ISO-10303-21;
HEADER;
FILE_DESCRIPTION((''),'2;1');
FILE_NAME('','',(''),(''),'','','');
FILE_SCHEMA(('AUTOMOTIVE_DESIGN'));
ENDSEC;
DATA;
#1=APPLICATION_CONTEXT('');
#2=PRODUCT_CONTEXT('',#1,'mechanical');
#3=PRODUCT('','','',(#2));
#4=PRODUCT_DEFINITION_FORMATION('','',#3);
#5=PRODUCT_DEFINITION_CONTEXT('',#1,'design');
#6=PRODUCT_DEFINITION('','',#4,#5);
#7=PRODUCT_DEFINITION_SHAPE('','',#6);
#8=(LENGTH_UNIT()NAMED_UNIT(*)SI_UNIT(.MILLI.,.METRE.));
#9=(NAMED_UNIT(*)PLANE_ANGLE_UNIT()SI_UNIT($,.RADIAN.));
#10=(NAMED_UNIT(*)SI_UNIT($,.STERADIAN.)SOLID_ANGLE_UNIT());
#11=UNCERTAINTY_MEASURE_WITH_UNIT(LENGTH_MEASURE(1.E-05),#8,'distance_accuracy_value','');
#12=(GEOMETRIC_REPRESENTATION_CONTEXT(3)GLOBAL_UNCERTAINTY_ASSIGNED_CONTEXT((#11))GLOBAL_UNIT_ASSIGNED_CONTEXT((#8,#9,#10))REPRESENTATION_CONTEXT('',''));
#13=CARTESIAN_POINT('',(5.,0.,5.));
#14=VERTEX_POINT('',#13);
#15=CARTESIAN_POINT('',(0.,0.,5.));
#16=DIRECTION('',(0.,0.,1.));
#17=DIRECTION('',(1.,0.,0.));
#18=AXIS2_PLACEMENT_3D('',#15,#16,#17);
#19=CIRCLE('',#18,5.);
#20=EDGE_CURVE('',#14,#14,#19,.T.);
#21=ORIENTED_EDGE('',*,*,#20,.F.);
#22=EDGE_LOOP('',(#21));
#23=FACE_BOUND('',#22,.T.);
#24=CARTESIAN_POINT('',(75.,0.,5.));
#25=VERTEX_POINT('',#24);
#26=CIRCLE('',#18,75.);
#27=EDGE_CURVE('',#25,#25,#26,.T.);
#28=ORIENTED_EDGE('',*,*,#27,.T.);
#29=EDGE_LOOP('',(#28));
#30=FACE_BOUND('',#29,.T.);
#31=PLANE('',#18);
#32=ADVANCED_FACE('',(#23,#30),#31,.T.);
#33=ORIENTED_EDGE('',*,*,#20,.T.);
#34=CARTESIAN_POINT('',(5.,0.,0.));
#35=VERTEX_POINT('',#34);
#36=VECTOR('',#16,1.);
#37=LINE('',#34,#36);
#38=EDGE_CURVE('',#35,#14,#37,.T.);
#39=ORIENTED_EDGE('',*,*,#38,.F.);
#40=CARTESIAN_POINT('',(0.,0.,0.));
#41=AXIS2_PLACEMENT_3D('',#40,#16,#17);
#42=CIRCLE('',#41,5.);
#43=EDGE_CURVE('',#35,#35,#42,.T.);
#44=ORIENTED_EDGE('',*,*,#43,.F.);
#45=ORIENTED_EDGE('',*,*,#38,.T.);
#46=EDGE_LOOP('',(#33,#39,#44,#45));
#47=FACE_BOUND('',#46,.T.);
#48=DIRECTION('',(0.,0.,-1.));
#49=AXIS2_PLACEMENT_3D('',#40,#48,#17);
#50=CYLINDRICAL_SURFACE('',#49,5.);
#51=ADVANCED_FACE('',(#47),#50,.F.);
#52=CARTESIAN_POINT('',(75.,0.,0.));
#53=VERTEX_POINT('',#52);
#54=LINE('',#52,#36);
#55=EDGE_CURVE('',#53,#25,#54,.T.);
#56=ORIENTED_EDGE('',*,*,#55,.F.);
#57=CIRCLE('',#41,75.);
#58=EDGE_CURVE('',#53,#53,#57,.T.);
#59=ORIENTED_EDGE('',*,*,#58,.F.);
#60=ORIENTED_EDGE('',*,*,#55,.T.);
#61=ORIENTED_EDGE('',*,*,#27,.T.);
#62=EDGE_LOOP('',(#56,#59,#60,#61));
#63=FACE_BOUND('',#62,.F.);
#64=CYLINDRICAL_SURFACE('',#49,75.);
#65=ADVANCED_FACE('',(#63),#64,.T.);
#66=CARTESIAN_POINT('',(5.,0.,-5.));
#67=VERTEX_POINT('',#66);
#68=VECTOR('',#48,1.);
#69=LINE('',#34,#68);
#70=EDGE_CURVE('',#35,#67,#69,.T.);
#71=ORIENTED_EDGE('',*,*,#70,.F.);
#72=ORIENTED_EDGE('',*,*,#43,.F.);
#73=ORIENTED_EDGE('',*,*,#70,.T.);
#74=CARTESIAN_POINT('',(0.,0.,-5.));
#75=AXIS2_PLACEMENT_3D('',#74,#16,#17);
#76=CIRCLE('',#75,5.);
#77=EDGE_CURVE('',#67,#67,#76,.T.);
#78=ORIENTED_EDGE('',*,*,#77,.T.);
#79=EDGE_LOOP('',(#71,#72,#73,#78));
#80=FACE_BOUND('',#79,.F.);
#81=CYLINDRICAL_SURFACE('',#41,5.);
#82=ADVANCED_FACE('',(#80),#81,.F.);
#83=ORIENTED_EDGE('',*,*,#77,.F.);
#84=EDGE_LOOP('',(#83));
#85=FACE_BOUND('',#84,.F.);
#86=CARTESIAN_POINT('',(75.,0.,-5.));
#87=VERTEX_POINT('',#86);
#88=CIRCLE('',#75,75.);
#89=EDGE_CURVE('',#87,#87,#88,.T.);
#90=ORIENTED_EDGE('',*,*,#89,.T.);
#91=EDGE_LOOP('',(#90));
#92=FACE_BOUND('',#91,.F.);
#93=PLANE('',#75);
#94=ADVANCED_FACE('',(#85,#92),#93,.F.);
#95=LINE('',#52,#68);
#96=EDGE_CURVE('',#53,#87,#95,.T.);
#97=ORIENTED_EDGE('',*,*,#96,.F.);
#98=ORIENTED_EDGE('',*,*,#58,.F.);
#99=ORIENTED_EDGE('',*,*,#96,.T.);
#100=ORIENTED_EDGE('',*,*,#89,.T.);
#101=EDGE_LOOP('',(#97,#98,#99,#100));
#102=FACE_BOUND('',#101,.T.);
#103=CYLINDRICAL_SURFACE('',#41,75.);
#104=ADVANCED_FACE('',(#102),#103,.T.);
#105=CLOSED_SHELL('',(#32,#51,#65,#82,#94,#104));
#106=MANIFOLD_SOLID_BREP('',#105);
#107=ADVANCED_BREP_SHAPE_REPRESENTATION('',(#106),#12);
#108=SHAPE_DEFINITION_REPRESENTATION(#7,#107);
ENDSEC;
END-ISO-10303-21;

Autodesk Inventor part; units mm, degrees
ref_plane "YZ Plane" through (0, 0, 0) normal (1, 0, 0) x (0, 1, 0)
ref_plane "XZ Plane" through (0, 0, 0) normal (0, 1, 0) x (-1, 0, 0)
ref_plane "XY Plane" through (0, 0, 0) normal (0, 0, 1) x (1, 0, 0)
sketch "草图1" plane through (0, 0, 0) normal (0, 0, 1) x (1, 0, 0)
  circle A0 centre (0, 0) radius 75
  circle A1 centre (0, 0) radius 5
  dimension "后轮直径" = 150
  dimension "孔直径" = 10
extrude "拉伸1" add sketch "草图1" along normal mid plane 10
sketch "草图2" plane through (0, 0, 5) normal (0, 0, 1) x (1, 0, 0)
  circle A0 centre (0, 0) radius 75 projected
  line L0 (0, 0) -> (-53.033, 53.033)
  line L1 (0, 0) -> (-75, 0) construction
properties part number "后轮" material "PVC 管"
